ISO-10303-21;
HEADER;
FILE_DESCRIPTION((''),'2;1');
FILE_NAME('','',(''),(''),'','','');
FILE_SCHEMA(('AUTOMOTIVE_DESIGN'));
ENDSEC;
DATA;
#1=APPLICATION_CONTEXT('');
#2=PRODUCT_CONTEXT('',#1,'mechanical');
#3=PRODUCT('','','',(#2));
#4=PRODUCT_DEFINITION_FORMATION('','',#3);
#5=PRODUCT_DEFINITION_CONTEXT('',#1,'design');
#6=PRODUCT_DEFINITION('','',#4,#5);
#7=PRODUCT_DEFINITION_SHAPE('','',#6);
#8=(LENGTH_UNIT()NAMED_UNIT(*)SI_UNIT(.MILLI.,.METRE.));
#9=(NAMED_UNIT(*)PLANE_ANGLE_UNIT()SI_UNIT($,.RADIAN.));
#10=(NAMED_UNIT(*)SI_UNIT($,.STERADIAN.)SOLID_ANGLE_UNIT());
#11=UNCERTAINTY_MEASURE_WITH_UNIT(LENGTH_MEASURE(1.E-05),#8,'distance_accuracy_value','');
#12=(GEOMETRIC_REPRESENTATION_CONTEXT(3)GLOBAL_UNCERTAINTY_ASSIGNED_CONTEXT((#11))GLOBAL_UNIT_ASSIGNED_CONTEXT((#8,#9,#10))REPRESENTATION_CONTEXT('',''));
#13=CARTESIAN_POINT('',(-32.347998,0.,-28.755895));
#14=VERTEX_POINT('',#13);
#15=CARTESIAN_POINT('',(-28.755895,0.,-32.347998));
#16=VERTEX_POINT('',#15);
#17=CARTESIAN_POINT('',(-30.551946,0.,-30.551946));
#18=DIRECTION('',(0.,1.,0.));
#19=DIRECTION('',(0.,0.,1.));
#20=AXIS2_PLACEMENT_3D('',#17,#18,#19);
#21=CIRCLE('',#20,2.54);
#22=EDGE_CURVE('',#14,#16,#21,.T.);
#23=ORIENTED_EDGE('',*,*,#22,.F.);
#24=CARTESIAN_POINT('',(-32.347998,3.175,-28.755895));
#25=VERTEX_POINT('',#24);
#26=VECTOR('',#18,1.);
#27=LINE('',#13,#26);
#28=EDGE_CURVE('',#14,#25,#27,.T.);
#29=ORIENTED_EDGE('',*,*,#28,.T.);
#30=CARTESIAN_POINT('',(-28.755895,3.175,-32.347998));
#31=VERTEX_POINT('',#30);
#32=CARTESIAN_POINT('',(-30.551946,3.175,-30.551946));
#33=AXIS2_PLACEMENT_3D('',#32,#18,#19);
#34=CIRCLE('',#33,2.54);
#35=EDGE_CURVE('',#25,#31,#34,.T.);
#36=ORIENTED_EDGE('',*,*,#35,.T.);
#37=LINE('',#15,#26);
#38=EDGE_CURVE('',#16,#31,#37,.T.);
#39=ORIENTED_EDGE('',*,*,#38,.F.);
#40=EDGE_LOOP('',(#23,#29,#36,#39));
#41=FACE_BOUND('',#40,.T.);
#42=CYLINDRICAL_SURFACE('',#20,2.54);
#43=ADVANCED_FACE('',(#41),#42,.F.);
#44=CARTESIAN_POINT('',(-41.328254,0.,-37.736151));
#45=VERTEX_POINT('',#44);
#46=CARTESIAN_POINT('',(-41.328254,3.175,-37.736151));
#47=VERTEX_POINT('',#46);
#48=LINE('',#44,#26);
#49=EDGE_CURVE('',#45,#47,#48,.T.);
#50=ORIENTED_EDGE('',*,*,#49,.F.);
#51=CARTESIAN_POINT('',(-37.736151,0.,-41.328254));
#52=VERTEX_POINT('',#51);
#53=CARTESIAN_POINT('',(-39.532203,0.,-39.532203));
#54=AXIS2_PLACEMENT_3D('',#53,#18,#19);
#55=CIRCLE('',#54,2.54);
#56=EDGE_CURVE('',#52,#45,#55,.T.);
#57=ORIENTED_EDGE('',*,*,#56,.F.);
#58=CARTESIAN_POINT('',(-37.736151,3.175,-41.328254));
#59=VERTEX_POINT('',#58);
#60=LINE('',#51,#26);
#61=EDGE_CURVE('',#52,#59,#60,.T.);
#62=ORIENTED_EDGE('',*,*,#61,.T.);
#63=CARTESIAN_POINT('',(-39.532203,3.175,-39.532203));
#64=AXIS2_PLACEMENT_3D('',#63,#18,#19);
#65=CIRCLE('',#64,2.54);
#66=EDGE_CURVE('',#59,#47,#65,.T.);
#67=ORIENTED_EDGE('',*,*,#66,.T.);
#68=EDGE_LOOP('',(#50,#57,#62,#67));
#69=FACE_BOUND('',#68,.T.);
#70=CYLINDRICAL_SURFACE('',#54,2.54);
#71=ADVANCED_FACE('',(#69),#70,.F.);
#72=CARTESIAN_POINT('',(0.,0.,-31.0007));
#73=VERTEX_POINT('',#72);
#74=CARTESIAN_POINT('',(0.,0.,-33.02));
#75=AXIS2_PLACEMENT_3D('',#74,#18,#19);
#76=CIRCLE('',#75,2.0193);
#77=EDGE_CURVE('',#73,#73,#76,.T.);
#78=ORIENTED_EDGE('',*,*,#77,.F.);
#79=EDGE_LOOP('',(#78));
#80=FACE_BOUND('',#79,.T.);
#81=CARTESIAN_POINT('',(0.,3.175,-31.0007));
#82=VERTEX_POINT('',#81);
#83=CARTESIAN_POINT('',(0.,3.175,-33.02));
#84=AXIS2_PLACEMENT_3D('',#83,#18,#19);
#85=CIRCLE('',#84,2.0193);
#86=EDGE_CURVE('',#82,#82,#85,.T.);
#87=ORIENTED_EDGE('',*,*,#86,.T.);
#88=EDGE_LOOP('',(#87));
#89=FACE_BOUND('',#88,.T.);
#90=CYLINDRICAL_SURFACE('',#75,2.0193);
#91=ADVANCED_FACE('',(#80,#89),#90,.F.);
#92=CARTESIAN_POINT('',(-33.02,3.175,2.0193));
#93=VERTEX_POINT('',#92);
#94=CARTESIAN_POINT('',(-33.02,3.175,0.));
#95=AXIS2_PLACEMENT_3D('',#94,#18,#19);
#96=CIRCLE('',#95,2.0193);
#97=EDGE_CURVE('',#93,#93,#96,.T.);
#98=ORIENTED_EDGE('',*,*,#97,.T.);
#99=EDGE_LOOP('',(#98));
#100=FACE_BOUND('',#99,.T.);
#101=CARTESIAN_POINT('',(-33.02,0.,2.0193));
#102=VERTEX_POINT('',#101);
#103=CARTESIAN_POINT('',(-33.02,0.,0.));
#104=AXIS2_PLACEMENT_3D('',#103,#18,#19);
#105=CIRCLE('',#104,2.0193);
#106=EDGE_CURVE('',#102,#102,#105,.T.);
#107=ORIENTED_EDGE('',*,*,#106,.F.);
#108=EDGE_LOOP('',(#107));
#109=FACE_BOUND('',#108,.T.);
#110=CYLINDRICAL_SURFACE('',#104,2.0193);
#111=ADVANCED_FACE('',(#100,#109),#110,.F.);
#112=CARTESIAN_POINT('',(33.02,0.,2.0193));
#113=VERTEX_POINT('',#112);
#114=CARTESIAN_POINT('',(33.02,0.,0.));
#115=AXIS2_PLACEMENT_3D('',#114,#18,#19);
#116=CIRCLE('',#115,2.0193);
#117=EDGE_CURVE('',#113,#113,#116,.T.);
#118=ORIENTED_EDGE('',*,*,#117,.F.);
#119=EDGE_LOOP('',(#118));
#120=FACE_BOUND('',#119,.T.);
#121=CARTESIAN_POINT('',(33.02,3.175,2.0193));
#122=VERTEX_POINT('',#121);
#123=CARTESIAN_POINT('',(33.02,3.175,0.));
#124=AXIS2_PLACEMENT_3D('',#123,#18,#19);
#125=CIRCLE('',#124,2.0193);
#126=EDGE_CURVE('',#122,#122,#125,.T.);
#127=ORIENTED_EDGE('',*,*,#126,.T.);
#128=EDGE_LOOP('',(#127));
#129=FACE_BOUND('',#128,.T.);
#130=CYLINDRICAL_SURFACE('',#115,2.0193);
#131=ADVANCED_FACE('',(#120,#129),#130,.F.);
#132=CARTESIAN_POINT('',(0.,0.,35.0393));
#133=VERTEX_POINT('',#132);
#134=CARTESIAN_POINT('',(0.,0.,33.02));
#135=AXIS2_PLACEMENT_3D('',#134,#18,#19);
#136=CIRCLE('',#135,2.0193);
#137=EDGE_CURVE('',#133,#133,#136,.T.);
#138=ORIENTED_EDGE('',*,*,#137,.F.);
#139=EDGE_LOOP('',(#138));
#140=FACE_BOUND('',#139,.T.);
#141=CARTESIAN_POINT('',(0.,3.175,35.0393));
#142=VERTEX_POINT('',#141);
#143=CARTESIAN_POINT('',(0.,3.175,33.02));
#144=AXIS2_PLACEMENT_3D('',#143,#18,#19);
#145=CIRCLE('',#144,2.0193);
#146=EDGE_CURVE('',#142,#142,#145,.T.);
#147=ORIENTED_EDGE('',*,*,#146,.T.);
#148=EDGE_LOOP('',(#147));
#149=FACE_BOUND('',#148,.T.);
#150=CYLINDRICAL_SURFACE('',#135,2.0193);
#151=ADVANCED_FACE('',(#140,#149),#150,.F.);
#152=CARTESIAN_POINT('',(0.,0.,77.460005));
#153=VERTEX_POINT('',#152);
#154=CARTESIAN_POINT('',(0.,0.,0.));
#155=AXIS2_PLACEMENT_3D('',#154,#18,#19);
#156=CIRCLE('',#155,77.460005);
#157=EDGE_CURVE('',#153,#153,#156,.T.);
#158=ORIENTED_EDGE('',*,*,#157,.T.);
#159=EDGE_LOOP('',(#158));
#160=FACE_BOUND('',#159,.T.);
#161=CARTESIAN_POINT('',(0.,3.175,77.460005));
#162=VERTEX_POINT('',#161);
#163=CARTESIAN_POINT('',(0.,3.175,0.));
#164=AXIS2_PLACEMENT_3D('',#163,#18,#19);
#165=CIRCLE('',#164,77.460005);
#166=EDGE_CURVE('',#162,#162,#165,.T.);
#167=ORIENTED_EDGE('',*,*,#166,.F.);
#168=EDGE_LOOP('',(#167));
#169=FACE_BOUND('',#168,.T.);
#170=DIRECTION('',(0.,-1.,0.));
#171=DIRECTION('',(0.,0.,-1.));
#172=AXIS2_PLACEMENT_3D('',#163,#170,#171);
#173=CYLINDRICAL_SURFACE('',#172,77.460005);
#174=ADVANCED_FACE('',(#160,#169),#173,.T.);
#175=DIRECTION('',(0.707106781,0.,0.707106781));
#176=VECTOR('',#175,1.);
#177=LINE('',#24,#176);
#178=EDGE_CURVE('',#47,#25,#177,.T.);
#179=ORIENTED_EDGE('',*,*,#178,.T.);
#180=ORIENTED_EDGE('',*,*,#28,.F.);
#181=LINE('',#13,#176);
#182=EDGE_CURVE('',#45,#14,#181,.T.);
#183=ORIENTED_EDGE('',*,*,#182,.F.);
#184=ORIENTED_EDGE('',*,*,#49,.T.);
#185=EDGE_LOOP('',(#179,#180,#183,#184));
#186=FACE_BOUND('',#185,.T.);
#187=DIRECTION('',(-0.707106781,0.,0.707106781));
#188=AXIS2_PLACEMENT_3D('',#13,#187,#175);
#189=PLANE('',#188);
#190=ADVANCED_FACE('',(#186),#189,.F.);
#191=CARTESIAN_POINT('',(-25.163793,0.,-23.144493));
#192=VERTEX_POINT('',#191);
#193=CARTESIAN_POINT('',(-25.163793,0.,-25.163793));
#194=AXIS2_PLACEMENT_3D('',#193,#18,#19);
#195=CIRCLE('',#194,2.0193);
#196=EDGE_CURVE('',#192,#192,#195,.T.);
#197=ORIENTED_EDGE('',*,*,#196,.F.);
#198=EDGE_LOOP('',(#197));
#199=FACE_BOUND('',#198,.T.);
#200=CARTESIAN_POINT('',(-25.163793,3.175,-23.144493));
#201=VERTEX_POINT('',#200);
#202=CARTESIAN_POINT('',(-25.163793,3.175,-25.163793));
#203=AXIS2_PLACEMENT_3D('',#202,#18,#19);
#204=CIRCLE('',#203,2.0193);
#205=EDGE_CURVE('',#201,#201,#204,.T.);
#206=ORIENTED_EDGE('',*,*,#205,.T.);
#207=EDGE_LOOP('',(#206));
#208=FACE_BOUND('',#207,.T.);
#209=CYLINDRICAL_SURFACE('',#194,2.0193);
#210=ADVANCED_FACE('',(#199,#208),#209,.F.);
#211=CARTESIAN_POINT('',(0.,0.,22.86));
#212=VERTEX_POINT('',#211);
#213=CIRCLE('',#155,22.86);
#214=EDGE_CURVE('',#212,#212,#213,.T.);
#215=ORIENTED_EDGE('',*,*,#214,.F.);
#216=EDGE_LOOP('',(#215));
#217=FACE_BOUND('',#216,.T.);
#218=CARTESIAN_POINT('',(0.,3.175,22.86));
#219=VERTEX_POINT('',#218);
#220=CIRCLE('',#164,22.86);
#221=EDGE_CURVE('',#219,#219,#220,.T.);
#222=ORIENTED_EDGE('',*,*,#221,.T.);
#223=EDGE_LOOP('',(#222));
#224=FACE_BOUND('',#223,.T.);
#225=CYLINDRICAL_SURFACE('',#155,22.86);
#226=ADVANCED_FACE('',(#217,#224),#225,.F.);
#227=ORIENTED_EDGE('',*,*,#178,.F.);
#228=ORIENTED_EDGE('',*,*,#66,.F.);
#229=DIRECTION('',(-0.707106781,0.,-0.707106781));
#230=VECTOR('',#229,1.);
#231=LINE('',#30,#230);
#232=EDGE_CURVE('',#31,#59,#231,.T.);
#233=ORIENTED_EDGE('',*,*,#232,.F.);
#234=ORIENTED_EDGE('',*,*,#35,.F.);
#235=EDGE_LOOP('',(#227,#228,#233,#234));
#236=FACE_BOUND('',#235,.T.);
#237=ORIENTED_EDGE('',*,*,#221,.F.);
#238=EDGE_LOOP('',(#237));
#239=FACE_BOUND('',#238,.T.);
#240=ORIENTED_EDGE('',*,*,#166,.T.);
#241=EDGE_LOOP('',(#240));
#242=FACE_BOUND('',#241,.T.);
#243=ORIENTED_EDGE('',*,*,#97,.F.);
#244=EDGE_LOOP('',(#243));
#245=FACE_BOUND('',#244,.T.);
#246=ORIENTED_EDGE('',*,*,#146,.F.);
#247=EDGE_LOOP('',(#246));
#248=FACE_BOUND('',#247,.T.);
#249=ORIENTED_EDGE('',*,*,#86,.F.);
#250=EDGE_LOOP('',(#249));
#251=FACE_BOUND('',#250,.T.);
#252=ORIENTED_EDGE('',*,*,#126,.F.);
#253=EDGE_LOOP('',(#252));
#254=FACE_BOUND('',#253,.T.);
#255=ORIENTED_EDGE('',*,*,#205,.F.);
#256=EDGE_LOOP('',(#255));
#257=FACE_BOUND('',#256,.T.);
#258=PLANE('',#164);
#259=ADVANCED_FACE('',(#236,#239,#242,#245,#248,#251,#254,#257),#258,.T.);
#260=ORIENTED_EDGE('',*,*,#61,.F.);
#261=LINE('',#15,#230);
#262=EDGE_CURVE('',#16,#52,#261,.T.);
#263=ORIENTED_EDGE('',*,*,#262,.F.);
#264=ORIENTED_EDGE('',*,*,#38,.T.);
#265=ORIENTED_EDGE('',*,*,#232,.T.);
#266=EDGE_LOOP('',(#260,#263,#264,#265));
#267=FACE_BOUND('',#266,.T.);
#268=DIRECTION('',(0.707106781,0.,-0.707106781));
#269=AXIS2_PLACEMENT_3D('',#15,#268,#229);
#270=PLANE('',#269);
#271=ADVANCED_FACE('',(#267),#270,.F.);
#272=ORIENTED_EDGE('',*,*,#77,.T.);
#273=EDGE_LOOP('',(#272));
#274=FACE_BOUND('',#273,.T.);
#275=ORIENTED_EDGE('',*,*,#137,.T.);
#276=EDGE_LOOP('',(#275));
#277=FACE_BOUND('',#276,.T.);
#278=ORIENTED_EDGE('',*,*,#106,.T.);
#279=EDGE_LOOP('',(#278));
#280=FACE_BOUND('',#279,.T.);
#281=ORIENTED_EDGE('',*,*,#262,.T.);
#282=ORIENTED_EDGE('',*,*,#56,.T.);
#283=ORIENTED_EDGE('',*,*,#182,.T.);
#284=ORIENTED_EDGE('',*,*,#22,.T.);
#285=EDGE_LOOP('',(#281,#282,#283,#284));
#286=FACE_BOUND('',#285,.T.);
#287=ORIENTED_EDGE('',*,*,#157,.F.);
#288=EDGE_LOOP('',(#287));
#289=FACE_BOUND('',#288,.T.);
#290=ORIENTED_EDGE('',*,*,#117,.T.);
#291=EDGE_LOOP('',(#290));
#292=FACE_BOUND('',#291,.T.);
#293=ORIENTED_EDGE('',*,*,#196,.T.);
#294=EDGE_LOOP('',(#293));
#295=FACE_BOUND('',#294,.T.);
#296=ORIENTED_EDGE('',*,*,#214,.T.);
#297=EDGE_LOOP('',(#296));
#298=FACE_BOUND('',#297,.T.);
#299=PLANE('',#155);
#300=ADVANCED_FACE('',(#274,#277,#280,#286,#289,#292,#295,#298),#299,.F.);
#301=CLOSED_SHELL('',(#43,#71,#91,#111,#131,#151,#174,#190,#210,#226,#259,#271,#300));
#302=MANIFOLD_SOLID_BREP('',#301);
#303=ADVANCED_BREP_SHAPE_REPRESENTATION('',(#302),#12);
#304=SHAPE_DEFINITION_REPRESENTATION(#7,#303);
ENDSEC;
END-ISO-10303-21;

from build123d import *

# Parameters (mm, degrees)
SKETCH1_R           = 77.4600051
BOSS_EXTRUDE1_DEPTH = 3.175
SKETCH20_R          = 22.86
SKETCH20_R_2        = 2.0193
CUT_EXTRUDE10_DEPTH = 250.596695835
CUT_EXTRUDE11_DEPTH = 3.175
SKETCH22_R          = 2.0193
CUT_EXTRUDE12_DEPTH = 250.596695835


with BuildPart() as part:
    # Sketch1 → Boss-Extrude1 (new body)
    with BuildSketch(Plane(origin=(0, 0, 0), x_dir=(1, 0, 0), z_dir=(0, 1, 0))):
        with Locations(Location((0, 0, 0), (0, 0, 270))):
            Circle(SKETCH1_R)
    extrude(amount=BOSS_EXTRUDE1_DEPTH)

    # Sketch20 → Cut-Extrude10 (cut, through all)
    with BuildSketch(Plane(origin=(-73.768816189, 3.175, -121.080352405), x_dir=(1, 0, 0), z_dir=(0, 1, 0))):
        with Locations(Location((73.768816189, -121.080352405, 0), (0, 0, 270))):
            Circle(SKETCH20_R)
        with Locations(Location((73.768816189, -88.060352405, 0), (0, 0, 270))):
            Circle(SKETCH20_R_2)
        with Locations(Location((106.788816189, -121.080352405, 0), (0, 0, 270))):
            Circle(SKETCH20_R_2)
        with Locations(Location((73.768816189, -154.100352405, 0), (0, 0, 270))):
            Circle(SKETCH20_R_2)
        with Locations(Location((40.748816189, -121.080352405, 0), (0, 0, 270))):
            Circle(SKETCH20_R_2)
    extrude(amount=-CUT_EXTRUDE10_DEPTH, mode=Mode.SUBTRACT)

    # Sketch21 → Cut-Extrude11 (cut)
    with BuildSketch(Plane(origin=(-73.768816189, 3.175, -121.080352405), x_dir=(1, 0, 0), z_dir=(0, 1, 0))):
        with BuildLine():
            Line((41.420818538, -92.324457203), (32.440562417, -83.344201082))
            ThreePointArc((32.440562417, -83.344201082), (32.440562417, -79.752098633), (36.032664865, -79.752098633))
            Line((36.032664865, -79.752098633), (45.012920986, -88.732354754))
            ThreePointArc((45.012920986, -88.732354754), (45.012920986, -92.324457203), (41.420818538, -92.324457203))
        make_face()
    extrude(amount=-CUT_EXTRUDE11_DEPTH, mode=Mode.SUBTRACT)

    # Sketch22 → Cut-Extrude12 (cut, through all)
    with BuildSketch(Plane(origin=(-73.768816189, 3.175, -121.080352405), x_dir=(1, 0, 0), z_dir=(0, 1, 0))):
        with Locations(Location((48.605023435, -95.916559651, 0), (0, 0, 270))):
            Circle(SKETCH22_R)
    extrude(amount=-CUT_EXTRUDE12_DEPTH, mode=Mode.SUBTRACT)


solid = part.part
